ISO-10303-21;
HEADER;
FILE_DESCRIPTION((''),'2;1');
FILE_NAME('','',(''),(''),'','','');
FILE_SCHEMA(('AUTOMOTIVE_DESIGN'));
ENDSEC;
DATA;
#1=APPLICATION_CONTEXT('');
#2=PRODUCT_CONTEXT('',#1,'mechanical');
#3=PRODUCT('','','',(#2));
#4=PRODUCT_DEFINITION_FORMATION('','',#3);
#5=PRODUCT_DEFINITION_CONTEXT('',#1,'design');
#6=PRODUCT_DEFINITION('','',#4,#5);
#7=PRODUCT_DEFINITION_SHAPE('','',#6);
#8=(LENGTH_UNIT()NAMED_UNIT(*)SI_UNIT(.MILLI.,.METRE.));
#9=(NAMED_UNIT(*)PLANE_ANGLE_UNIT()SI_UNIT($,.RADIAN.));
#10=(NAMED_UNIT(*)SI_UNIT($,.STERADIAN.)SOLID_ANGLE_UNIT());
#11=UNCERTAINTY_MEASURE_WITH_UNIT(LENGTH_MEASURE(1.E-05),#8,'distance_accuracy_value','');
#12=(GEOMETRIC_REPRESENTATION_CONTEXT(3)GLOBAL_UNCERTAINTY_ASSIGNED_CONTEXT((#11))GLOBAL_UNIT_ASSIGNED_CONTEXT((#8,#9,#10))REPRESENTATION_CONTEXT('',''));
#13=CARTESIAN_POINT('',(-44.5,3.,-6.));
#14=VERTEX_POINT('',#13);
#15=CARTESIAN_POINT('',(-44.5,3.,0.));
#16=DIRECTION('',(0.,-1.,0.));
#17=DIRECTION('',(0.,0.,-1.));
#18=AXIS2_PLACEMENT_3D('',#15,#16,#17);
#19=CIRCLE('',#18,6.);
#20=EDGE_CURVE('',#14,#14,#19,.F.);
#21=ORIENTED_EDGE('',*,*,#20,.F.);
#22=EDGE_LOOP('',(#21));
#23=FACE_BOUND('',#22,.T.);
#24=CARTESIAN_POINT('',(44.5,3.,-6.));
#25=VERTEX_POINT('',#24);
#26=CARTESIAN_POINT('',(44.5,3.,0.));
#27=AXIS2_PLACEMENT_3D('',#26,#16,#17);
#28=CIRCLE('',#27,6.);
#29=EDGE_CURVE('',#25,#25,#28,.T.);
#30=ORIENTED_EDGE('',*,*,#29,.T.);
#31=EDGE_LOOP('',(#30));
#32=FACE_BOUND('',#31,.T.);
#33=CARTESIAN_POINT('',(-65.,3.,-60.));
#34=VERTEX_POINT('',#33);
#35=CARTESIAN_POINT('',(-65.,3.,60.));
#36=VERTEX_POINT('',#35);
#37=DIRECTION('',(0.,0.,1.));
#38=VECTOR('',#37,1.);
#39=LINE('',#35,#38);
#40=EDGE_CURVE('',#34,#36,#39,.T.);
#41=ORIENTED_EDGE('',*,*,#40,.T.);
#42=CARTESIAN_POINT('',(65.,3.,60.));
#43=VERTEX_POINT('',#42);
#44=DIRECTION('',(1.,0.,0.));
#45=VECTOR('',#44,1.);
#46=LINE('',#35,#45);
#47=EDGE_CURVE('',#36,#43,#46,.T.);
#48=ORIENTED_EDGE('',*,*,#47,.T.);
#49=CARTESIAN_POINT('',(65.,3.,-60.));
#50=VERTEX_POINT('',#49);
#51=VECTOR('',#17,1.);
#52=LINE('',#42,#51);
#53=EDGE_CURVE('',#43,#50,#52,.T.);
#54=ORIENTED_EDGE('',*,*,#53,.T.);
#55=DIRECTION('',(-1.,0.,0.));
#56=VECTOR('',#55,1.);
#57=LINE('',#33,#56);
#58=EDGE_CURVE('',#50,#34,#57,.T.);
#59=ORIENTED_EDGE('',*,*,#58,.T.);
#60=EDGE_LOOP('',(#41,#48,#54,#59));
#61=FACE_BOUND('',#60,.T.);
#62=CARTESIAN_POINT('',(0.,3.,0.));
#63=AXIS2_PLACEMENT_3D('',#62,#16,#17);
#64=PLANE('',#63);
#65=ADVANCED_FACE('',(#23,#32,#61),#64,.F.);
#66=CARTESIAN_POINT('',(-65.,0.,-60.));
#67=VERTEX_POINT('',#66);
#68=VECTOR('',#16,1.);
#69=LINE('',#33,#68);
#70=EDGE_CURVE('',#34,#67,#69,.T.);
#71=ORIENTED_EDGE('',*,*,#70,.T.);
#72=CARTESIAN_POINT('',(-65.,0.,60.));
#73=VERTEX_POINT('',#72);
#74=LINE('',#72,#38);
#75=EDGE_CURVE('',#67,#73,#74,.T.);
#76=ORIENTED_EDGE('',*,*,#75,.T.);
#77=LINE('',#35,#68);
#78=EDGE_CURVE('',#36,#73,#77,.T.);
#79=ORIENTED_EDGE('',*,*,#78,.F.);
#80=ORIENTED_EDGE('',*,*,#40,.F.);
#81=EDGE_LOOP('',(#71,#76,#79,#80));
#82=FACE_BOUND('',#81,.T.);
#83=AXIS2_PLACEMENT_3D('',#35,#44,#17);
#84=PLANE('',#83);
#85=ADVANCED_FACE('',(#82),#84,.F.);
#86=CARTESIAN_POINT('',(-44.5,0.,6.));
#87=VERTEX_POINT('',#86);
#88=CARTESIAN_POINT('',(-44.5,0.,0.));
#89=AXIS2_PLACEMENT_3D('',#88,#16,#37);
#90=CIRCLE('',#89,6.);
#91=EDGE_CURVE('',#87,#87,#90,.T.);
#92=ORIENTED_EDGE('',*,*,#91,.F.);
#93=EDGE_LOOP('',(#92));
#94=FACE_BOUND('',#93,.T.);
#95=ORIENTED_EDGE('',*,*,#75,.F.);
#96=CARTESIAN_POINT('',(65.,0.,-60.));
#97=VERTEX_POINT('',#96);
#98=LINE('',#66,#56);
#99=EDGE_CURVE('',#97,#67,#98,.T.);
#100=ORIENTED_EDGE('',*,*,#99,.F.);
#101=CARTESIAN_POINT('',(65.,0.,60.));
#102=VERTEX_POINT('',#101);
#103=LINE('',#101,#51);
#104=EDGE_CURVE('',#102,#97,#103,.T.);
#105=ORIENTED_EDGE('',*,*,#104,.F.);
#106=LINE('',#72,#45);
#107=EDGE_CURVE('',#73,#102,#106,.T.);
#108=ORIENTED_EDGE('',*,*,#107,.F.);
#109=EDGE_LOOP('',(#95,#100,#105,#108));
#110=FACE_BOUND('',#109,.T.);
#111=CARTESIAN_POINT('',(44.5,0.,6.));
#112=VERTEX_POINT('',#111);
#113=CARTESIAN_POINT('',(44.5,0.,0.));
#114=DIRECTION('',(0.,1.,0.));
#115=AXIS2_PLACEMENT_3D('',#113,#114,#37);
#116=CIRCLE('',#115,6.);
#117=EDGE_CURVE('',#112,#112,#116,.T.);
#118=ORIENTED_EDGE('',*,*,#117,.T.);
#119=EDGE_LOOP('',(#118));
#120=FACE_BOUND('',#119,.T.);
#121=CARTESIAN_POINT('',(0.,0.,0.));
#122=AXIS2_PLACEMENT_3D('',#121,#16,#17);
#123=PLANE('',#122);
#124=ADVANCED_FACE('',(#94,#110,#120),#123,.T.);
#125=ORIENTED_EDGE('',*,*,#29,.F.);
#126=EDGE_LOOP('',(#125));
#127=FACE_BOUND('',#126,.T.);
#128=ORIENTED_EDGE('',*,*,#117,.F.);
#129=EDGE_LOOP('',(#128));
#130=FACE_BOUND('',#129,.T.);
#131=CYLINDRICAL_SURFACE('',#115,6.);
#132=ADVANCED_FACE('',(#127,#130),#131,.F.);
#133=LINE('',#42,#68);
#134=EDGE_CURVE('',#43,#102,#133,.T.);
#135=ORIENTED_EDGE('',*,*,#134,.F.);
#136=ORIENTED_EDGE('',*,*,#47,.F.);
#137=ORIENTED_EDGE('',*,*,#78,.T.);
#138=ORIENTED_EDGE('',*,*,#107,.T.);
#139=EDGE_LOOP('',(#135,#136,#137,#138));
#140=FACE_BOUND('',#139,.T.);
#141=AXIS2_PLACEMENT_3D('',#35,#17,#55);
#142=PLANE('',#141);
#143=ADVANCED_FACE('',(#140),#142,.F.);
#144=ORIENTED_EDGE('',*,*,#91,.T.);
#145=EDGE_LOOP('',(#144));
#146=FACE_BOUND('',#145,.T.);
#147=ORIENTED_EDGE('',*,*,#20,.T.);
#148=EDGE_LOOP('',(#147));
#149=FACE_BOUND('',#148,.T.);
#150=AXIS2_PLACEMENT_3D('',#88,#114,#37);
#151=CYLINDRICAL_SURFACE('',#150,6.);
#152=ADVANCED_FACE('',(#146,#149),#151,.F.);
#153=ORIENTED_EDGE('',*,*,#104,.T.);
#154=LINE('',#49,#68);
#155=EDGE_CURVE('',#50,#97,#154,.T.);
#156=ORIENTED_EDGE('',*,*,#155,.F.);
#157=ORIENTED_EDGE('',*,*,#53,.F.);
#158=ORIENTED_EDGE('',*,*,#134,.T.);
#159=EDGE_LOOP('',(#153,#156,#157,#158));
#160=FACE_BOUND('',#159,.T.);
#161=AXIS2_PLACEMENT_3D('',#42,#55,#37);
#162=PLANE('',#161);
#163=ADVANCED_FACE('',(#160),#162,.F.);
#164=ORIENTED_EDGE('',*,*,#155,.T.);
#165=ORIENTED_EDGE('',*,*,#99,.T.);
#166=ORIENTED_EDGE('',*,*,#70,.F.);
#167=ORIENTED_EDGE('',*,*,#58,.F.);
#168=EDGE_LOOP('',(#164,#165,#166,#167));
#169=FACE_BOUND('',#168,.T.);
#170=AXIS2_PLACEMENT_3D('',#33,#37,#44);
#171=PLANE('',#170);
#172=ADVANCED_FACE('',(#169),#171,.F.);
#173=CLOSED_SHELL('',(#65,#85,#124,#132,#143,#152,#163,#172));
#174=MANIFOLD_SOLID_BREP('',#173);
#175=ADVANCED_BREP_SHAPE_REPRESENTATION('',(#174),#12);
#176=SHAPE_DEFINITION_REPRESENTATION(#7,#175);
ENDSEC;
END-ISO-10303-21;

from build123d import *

# Parameters (mm, degrees)
SKETCH1_W           = 130
SKETCH1_H           = 120
BOSS_EXTRUDE1_DEPTH = 3
CUT_EXTRUDE1_START  = -4
SKETCH2_R           = 6
CUT_EXTRUDE1_DEPTH  = 5


with BuildPart() as part:
    # Sketch1 → Boss-Extrude1 (new body)
    with BuildSketch(Plane(origin=(0, 0, 0), x_dir=(1, 0, 0), z_dir=(0, 1, 0))):
        Rectangle(SKETCH1_W, SKETCH1_H)
    extrude(amount=BOSS_EXTRUDE1_DEPTH)

    # Sketch2 → Cut-Extrude1 (cut)
    with BuildSketch(Plane(origin=(0, 3, 0), x_dir=(1, 0, 0), z_dir=(0, 1, 0)).offset(CUT_EXTRUDE1_START)):
        with Locations((44.5, 0)):
            Circle(SKETCH2_R)
    cut_extrude1 = extrude(amount=CUT_EXTRUDE1_DEPTH, mode=Mode.SUBTRACT)

    # Mirror1: Cut-Extrude1 across plane
    add(cut_extrude1.mirror(Plane(origin=(0, 0, 0), x_dir=(0, 0, 1), z_dir=(1, 0, 0))), mode=Mode.SUBTRACT)


solid = part.part
